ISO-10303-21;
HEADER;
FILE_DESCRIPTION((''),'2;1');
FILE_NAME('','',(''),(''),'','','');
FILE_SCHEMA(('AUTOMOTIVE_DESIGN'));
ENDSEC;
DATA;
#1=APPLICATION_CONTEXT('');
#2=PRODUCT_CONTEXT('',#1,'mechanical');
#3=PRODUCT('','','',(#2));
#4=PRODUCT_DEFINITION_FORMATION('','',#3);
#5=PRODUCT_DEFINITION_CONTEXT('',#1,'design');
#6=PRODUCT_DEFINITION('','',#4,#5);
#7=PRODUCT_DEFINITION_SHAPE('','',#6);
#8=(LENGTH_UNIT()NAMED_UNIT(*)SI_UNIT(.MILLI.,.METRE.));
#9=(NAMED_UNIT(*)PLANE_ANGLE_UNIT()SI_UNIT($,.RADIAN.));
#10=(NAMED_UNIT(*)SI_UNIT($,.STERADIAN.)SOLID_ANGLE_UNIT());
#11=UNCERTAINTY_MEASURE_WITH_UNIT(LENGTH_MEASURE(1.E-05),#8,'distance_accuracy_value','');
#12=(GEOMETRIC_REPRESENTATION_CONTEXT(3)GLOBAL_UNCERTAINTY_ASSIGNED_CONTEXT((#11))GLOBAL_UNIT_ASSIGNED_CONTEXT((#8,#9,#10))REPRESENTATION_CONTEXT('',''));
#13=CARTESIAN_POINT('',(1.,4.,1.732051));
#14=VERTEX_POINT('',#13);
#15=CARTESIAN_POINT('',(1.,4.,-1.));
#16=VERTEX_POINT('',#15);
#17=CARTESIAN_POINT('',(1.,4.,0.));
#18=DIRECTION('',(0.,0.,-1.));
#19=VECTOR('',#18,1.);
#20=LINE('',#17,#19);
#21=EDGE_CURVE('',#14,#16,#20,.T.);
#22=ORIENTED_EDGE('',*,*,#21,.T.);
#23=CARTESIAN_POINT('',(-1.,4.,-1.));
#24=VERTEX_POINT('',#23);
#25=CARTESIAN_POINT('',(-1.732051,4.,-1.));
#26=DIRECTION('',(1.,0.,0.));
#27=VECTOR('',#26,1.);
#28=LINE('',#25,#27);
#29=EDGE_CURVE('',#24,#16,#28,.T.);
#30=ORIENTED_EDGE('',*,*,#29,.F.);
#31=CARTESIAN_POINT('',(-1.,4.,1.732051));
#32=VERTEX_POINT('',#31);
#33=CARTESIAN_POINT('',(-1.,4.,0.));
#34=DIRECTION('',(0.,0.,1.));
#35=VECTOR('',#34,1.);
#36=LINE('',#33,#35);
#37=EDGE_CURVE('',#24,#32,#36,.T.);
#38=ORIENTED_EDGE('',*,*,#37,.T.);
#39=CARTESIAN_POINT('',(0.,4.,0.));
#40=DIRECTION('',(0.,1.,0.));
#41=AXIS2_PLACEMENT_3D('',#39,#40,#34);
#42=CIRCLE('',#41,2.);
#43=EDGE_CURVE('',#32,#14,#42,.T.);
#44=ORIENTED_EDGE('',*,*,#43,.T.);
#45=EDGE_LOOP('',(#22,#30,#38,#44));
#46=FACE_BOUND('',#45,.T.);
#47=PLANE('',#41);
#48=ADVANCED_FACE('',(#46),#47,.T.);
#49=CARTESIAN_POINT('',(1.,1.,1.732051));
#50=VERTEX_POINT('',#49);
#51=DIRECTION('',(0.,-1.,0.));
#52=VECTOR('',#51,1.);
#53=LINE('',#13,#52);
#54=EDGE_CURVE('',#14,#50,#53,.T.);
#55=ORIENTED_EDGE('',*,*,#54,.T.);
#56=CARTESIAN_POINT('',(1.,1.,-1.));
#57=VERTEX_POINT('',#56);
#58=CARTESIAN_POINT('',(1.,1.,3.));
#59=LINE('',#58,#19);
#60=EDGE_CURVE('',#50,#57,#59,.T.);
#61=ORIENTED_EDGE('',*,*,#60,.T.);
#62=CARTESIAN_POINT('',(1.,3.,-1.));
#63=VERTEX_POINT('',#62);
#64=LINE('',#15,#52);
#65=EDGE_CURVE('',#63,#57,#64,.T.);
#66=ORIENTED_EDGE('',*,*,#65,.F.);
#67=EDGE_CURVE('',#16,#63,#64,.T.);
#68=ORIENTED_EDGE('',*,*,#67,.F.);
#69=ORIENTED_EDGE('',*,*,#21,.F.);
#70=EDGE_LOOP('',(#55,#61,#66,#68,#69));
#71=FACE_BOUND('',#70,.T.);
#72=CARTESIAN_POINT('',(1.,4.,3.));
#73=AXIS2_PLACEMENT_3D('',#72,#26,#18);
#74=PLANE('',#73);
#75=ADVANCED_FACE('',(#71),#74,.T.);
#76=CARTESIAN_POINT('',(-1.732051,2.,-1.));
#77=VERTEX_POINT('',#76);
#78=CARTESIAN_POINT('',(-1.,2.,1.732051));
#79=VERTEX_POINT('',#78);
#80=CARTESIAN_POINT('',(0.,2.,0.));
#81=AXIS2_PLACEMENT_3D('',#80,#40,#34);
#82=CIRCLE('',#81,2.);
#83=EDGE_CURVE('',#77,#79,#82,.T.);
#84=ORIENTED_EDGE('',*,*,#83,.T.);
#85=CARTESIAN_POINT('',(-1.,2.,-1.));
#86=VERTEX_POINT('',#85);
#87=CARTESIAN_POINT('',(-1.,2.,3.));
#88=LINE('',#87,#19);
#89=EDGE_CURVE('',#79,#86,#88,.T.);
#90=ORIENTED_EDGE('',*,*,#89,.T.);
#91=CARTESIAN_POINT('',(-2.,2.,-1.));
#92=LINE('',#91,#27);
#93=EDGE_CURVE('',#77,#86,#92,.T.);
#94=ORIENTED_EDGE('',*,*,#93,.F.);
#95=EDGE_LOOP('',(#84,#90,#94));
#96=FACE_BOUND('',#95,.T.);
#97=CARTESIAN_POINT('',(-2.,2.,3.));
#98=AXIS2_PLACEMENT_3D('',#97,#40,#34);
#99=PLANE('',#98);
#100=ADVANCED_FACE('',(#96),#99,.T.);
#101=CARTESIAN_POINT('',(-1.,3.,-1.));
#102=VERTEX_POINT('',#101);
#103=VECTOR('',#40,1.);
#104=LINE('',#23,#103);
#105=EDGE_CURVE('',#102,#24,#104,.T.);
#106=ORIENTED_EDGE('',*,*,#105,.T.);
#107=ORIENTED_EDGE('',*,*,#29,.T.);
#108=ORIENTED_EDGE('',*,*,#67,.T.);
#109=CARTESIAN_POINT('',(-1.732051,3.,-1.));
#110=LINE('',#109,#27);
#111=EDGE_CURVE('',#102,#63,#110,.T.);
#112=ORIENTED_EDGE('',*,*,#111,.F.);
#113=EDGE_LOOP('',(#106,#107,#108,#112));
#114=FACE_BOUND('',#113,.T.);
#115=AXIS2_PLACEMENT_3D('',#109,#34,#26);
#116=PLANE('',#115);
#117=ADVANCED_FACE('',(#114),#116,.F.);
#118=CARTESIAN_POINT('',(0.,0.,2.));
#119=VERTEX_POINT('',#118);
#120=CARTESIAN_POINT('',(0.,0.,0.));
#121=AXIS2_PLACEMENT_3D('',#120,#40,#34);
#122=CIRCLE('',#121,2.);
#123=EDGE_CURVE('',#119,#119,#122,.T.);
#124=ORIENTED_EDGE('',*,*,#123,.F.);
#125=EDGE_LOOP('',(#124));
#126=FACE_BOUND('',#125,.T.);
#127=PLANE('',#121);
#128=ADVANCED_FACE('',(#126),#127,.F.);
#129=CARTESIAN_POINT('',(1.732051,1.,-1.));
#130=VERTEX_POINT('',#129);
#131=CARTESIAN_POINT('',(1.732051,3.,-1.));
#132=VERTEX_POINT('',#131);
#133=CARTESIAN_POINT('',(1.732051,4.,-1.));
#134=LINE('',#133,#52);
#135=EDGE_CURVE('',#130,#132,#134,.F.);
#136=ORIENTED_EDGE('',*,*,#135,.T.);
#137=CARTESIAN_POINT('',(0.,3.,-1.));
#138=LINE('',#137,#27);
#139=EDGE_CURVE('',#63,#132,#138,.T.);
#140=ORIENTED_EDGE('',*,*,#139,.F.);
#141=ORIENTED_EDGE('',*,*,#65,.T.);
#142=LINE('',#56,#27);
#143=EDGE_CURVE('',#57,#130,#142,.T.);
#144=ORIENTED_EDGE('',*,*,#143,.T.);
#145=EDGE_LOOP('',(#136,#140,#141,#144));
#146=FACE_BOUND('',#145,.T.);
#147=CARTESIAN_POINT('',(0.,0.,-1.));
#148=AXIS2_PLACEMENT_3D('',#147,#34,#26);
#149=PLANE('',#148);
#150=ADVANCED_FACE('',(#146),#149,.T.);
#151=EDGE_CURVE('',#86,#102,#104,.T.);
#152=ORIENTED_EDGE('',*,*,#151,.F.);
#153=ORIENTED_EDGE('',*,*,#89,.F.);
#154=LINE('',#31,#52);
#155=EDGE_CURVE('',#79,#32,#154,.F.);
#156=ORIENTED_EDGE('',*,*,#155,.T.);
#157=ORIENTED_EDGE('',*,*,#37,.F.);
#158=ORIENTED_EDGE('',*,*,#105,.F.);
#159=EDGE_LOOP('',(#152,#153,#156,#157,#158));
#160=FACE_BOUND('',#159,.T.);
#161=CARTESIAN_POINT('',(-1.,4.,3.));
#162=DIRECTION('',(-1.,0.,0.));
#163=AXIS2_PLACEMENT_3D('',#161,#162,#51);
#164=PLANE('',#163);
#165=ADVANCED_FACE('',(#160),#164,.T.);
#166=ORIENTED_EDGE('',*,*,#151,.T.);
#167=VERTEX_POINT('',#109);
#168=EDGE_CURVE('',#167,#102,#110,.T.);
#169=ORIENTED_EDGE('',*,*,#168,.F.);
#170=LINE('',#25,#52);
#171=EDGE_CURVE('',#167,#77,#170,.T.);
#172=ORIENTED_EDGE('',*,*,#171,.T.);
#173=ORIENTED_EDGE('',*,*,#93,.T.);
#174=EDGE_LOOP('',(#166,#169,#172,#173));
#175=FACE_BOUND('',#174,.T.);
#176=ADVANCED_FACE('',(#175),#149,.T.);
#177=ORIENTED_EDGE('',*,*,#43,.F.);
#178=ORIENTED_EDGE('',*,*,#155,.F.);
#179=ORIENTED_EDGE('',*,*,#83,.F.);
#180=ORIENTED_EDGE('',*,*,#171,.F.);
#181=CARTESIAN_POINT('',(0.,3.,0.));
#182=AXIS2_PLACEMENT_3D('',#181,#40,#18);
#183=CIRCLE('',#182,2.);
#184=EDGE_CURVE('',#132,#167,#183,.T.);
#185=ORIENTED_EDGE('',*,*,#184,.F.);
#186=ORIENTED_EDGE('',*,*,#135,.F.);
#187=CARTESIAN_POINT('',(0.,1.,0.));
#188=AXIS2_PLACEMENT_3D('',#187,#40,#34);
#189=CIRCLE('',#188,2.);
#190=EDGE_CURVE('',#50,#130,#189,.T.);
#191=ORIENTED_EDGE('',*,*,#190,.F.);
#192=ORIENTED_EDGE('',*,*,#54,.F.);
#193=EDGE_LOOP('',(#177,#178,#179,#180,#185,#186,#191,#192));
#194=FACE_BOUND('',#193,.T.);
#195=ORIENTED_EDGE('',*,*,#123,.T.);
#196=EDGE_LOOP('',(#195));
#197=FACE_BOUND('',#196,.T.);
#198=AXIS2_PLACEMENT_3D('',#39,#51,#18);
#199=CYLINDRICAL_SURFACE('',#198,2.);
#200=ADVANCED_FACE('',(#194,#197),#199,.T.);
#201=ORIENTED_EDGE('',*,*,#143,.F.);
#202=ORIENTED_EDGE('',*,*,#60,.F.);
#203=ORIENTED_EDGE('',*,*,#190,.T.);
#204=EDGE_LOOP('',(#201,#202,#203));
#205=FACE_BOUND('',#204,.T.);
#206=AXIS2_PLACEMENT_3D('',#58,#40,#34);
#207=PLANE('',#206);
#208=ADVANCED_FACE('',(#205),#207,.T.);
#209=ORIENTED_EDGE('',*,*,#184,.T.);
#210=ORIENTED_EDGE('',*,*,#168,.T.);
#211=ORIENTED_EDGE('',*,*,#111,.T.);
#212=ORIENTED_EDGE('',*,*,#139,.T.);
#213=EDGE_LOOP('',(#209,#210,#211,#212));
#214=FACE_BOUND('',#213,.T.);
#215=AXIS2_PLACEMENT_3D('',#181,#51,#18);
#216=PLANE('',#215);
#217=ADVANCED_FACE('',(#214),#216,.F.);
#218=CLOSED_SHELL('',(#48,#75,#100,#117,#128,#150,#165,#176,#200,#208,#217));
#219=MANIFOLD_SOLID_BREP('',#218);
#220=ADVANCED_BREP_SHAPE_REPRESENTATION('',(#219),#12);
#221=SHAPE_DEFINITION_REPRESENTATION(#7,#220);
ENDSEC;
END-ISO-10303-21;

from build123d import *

# Parameters (mm, degrees)
SKETCH1_R               = 2
BOSS_EXTRUDE1_DEPTH     = 4
SKETCH2_W               = 1
SKETCH2_H               = 3
SKETCH2_H_2             = 2
CUT_EXTRUDE1_DEPTH      = 3
CUT_EXTRUDE1_DEPTH_BACK = 1
CUT_EXTRUDE2_DEPTH      = 1


with BuildPart() as part:
    # Sketch1 → Boss-Extrude1 (new body)
    with BuildSketch(Plane(origin=(0, 0, 0), x_dir=(1, 0, 0), z_dir=(0, 1, 0))):
        Circle(SKETCH1_R)
    extrude(amount=BOSS_EXTRUDE1_DEPTH)

    # Sketch2 → Cut-Extrude1 (cut, two sides)
    with BuildSketch(Plane.XY) as cut_extrude1_sk:
        with Locations((1.5, 2.5)):
            Rectangle(SKETCH2_W, SKETCH2_H)
        with Locations((-1.5, 3)):
            Rectangle(SKETCH2_W, SKETCH2_H_2)
    extrude(amount=CUT_EXTRUDE1_DEPTH, mode=Mode.SUBTRACT)
    extrude(cut_extrude1_sk.sketch, amount=-CUT_EXTRUDE1_DEPTH_BACK, mode=Mode.SUBTRACT)

    # Sketch3 → Cut-Extrude2 (cut)
    with BuildSketch(Plane(origin=(0, 4, 0), x_dir=(1, 0, 0), z_dir=(0, 1, 0))):
        with BuildLine():
            Line((-1.732050808, 1), (1.732050808, 1))
            ThreePointArc((1.732050808, 1), (0, 2), (-1.732050808, 1))
        make_face()
    extrude(amount=-CUT_EXTRUDE2_DEPTH, mode=Mode.SUBTRACT)


solid = part.part
